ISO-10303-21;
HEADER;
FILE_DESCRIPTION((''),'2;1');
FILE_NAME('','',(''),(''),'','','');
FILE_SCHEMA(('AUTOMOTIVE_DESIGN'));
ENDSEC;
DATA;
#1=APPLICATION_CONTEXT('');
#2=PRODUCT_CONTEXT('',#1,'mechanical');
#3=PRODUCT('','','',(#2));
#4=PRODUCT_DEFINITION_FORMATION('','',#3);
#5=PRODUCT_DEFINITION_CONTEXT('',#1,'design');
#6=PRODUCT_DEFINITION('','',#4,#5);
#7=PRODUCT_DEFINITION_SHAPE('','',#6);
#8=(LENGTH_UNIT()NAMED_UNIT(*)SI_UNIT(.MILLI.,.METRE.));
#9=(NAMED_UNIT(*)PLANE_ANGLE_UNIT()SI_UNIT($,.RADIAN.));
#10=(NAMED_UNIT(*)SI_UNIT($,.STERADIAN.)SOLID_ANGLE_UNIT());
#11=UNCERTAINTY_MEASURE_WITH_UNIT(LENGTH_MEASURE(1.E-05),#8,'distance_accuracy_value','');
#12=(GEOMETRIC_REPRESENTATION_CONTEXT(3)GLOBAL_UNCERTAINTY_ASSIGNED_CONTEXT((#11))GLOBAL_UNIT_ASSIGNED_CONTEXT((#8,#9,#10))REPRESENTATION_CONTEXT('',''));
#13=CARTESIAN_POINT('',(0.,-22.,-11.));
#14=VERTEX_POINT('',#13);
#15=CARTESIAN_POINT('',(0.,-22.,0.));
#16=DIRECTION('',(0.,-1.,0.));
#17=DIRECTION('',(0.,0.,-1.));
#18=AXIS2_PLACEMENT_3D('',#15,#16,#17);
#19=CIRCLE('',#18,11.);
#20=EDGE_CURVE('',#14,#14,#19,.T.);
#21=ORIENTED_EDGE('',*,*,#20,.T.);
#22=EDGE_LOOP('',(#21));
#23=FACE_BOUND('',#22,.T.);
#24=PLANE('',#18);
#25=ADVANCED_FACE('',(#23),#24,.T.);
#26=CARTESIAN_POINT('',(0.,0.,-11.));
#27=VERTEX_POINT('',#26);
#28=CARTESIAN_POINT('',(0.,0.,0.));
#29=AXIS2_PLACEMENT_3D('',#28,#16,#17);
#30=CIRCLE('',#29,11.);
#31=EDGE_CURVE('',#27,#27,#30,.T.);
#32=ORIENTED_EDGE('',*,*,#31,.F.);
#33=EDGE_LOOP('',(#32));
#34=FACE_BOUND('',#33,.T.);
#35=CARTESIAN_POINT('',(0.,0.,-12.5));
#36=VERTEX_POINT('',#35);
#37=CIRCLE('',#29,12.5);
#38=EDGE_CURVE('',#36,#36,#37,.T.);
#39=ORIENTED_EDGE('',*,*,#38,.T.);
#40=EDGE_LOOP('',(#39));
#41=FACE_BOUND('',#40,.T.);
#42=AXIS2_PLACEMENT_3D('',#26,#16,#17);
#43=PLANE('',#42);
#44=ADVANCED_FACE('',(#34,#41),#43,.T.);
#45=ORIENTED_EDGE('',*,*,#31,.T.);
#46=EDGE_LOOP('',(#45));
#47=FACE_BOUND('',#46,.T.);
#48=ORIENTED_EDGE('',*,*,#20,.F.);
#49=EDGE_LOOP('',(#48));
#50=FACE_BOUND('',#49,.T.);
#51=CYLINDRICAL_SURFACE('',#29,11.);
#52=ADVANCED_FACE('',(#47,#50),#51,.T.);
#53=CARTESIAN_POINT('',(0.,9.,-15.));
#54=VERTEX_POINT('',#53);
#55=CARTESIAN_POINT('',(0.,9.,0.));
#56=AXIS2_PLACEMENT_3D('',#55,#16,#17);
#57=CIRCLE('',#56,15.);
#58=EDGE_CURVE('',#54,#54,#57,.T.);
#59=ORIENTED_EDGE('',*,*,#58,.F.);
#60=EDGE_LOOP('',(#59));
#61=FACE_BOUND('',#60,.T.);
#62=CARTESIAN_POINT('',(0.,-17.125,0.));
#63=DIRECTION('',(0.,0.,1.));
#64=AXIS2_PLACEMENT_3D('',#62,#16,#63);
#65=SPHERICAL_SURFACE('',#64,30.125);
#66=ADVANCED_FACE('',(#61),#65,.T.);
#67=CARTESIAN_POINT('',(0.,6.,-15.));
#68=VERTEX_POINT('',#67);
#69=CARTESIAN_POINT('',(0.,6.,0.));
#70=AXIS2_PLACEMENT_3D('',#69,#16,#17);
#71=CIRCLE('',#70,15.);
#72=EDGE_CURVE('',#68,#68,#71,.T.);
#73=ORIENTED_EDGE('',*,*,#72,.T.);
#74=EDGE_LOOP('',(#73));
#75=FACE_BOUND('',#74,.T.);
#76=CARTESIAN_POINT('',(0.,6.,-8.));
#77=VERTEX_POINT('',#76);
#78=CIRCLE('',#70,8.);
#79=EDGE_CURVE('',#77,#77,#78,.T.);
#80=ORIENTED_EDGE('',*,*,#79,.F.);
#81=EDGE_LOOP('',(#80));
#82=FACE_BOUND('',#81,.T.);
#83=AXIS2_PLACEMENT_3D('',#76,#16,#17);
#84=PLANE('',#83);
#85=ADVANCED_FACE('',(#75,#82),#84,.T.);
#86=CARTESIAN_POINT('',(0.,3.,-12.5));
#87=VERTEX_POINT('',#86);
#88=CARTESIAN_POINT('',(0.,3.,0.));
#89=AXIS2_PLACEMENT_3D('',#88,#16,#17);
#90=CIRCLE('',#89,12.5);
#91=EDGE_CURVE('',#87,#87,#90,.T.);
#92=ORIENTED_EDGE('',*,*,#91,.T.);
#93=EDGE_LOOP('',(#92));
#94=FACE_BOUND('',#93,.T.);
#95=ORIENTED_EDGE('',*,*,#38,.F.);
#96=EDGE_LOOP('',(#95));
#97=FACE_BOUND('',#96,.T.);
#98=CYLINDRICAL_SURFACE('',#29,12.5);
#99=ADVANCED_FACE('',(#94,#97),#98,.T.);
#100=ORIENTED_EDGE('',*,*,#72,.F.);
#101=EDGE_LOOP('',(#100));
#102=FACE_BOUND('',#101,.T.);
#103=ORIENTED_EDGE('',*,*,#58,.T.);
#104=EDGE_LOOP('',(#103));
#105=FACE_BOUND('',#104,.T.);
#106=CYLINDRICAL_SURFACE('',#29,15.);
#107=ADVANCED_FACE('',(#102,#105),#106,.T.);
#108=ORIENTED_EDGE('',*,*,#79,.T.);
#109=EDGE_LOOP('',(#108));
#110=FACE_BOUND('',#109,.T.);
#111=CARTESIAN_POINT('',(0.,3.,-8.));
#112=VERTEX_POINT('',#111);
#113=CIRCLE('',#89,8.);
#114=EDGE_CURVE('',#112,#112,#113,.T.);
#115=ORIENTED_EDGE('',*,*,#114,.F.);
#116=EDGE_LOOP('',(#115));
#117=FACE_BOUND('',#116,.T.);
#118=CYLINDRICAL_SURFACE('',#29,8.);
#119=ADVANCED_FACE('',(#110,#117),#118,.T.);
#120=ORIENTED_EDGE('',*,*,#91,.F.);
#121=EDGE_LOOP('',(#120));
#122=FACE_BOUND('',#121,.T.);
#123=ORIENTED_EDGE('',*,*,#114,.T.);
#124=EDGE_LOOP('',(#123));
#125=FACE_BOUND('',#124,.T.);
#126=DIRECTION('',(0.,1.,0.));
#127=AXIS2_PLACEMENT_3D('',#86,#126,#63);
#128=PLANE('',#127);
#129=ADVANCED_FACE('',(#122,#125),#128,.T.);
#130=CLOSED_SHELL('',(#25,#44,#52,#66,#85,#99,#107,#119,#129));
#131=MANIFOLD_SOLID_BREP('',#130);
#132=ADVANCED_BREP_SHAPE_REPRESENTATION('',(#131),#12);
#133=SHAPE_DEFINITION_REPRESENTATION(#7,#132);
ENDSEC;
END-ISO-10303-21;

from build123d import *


with BuildPart() as part:
    # Sketch1 → Revolve1 (revolve)
    with BuildSketch(Plane(origin=(0, 0, 0), x_dir=(0, 0, -1), z_dir=(1, 0, 0))):
        with BuildLine():
            Line((0, 0), (0, -22))
            Line((0, -22), (11, -22))
            Line((11, -22), (11, 0))
            Line((11, 0), (12.5, 0))
            Line((12.5, 0), (12.5, 3))
            Line((12.5, 3), (8, 3))
            Line((8, 3), (8, 6))
            Line((8, 6), (15, 6))
            Line((15, 6), (15, 9))
            ThreePointArc((15, 9), (7.762087348, 11.982827555), (0, 13))
            Line((0, 13), (0, 0))
        make_face()
    revolve(axis=Axis((0, 0, 0), (0, 1, 0)))


solid = part.part
